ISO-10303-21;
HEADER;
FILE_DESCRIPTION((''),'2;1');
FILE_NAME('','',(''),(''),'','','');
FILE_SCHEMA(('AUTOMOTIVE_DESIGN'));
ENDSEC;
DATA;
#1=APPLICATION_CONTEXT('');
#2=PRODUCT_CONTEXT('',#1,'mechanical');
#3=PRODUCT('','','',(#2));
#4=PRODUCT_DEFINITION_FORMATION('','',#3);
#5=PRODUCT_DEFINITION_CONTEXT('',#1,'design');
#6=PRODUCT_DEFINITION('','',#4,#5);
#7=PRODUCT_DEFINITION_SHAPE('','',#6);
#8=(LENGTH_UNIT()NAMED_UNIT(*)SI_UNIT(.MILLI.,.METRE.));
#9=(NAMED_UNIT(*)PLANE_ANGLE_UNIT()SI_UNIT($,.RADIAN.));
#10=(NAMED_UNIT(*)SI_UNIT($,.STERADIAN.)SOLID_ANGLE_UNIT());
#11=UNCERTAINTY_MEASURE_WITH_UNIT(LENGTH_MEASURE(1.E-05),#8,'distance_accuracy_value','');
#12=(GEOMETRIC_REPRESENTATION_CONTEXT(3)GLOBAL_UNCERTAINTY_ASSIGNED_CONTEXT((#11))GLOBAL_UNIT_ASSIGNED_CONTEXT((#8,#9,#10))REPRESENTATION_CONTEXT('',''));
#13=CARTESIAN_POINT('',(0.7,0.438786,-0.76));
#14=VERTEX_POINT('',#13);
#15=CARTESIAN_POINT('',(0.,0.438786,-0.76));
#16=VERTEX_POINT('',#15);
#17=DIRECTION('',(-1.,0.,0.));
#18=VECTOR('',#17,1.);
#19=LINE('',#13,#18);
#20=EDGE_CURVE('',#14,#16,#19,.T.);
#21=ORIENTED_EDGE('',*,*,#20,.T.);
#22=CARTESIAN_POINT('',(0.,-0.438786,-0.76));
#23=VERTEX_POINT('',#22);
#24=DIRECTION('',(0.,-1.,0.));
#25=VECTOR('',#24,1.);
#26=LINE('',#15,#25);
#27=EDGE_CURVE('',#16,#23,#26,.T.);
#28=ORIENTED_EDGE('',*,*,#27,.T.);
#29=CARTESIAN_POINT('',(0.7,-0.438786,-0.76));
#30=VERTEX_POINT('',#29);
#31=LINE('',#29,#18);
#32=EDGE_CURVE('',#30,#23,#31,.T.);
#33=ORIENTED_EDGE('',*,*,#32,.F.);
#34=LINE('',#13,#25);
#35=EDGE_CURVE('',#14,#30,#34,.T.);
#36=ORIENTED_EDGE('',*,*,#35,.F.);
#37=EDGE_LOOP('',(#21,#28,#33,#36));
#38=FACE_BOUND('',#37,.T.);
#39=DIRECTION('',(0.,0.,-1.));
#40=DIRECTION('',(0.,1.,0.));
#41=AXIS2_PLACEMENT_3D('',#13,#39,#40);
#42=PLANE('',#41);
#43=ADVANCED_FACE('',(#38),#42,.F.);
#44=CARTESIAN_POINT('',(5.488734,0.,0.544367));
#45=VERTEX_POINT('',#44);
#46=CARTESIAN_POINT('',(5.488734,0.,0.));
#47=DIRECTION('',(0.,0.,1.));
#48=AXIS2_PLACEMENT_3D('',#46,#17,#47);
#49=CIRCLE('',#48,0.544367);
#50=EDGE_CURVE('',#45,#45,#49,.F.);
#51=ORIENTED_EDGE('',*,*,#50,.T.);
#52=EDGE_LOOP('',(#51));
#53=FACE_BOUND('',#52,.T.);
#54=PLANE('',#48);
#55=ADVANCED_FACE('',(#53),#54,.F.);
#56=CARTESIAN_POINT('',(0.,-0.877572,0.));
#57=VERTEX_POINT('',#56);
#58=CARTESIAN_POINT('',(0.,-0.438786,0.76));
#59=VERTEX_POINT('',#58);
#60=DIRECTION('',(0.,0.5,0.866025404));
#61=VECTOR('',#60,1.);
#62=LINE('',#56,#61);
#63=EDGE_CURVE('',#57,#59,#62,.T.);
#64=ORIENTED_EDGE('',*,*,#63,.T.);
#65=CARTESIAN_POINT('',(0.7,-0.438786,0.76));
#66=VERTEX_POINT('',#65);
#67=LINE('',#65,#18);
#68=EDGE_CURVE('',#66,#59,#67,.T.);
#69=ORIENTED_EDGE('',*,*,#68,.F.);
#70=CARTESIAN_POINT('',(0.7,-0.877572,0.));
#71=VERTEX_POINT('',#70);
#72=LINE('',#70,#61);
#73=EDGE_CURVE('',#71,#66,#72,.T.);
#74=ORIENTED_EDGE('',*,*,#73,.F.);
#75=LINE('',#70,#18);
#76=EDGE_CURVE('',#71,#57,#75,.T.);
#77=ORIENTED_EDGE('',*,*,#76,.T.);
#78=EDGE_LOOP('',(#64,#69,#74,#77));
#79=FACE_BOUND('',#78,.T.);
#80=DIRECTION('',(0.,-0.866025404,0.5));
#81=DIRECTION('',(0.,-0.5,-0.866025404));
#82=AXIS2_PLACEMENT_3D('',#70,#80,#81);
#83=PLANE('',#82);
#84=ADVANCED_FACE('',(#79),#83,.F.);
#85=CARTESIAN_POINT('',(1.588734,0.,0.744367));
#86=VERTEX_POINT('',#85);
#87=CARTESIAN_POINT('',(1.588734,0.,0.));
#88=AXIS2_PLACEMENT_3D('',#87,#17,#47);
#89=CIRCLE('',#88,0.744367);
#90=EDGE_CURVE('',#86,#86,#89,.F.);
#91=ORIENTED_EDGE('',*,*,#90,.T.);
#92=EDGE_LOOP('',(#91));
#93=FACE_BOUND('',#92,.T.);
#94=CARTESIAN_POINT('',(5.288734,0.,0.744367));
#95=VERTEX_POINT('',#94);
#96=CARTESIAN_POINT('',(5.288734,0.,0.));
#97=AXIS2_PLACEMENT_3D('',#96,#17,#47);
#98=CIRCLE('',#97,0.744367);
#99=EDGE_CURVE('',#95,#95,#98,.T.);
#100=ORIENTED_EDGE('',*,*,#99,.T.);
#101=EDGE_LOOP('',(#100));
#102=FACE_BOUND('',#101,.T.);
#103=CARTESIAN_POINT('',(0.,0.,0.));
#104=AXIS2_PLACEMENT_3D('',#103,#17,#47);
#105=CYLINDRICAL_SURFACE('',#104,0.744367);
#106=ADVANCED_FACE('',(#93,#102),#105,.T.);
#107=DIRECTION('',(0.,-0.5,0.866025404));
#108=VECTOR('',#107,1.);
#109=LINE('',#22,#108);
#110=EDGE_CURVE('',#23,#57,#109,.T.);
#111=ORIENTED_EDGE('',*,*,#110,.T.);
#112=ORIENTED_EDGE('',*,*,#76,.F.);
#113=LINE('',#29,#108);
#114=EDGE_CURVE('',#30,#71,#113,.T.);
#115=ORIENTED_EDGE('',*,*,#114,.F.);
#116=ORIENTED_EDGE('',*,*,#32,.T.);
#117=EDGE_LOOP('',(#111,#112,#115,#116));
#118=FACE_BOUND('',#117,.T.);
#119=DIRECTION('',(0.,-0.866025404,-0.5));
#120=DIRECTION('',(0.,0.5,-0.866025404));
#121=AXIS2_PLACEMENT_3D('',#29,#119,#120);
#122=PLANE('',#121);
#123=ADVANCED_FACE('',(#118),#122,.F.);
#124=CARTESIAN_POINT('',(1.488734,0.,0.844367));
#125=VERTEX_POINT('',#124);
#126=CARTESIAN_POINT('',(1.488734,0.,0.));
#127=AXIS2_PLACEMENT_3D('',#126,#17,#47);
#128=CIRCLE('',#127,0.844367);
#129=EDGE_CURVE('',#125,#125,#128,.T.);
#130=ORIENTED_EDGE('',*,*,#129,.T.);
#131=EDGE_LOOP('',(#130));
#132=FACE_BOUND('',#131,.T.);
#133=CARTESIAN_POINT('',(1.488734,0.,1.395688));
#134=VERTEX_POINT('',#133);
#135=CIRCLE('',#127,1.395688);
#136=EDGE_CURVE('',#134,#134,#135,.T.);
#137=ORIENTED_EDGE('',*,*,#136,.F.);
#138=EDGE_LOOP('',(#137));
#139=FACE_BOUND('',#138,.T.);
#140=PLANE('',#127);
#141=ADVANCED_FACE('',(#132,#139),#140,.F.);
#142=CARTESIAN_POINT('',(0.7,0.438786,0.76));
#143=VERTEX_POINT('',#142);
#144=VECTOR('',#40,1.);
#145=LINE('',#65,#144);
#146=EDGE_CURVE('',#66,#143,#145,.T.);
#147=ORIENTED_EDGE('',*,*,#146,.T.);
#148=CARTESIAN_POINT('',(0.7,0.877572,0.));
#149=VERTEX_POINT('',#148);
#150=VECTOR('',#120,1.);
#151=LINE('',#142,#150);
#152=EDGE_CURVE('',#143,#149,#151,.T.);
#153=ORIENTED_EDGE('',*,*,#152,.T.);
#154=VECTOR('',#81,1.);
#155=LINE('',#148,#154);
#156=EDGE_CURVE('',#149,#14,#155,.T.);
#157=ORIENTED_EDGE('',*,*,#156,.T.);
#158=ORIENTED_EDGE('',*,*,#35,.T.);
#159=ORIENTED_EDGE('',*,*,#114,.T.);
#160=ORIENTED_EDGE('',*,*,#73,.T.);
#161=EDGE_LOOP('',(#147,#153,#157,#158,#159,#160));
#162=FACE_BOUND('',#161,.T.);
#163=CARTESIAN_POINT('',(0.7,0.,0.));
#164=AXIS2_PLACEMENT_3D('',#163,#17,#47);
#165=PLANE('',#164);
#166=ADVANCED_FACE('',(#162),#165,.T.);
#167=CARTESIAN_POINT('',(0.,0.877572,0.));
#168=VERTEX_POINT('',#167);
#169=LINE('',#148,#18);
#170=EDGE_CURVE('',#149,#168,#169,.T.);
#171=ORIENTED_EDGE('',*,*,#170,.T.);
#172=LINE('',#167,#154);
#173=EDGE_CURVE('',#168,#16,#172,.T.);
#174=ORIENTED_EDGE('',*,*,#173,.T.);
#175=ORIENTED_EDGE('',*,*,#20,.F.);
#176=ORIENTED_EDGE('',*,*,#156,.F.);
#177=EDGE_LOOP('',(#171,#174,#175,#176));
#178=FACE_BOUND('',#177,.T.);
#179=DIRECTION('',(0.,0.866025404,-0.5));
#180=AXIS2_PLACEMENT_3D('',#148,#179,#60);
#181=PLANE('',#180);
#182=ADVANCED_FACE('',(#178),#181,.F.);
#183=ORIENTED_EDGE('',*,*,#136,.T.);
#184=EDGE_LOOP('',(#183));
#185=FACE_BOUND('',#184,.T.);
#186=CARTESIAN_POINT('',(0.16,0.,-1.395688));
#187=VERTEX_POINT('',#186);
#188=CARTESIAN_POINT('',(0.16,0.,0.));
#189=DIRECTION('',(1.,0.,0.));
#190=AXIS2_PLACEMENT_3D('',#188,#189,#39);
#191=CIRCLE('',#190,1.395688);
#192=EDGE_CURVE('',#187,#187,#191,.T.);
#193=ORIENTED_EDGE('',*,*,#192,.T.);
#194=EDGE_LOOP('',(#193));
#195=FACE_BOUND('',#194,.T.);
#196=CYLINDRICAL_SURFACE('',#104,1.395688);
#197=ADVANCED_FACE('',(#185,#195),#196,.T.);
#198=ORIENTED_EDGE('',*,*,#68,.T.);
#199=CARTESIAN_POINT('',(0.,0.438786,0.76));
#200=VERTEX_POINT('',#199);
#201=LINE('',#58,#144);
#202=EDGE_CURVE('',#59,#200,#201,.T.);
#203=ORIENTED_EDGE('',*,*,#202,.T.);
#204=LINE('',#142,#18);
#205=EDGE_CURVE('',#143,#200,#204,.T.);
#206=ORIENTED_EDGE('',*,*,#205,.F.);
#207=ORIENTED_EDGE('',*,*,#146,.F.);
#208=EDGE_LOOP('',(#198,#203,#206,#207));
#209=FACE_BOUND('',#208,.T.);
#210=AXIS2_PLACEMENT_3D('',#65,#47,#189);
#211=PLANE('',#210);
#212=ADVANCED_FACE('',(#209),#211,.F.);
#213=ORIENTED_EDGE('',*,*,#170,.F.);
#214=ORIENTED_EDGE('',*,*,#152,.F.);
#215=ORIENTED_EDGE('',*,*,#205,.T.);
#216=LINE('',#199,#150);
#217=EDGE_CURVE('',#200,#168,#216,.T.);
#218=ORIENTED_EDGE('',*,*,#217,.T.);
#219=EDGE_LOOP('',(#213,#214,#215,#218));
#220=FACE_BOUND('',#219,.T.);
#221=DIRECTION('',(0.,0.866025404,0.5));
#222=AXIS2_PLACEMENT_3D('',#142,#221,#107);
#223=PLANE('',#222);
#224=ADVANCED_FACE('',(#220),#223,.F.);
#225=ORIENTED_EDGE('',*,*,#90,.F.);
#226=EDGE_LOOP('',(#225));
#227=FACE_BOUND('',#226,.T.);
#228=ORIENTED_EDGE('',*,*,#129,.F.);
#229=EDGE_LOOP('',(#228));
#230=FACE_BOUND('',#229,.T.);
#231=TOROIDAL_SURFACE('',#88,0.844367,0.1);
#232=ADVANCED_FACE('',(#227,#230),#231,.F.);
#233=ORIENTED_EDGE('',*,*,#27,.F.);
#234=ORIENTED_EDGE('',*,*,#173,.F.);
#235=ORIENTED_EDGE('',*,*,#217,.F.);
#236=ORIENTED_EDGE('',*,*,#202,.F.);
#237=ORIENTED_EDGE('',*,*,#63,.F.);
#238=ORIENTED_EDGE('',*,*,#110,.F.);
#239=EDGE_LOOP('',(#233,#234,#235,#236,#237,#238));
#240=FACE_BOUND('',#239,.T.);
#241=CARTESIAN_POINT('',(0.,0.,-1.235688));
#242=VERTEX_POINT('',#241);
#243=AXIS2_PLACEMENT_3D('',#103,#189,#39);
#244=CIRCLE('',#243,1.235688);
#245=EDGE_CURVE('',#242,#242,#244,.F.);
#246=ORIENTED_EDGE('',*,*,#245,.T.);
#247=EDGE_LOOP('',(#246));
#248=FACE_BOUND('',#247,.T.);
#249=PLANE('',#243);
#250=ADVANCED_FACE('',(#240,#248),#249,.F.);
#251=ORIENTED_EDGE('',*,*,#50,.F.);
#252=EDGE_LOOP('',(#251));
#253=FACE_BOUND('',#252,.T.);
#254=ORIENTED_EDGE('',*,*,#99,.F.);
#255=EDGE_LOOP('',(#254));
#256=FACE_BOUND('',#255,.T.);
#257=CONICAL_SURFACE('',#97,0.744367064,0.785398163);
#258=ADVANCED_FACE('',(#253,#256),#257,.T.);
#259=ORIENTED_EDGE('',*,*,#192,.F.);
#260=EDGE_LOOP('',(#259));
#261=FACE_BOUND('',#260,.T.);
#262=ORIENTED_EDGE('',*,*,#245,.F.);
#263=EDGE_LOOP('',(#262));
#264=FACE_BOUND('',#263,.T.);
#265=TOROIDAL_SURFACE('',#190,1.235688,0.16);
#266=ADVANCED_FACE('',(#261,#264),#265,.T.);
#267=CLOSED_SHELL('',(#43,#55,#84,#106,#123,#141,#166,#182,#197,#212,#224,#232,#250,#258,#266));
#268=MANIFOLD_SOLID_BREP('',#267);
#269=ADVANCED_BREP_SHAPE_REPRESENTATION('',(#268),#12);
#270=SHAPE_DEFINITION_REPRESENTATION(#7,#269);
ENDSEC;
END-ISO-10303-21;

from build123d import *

# Parameters (mm, degrees)
FILLET1_R      = 0.1
FILLET2_R      = 0.16
CHAMFER1_SIZE  = 0.2
EXTRUDE1_DEPTH = 0.7


with BuildPart() as part:
    # Sketch1 → Revolve1 (revolve)
    with BuildSketch(Plane.XY, mode=Mode.PRIVATE) as revolve1_sk:
        Polygon((0, 1.395688245), (0, 0), (5.488734128, 0), (5.488734128, 0.744367064), (1.488734128, 0.744367064), (1.488734128, 1.395688245), align=None)
    revolve(revolve1_sk.sketch.rotate(Axis((0, 0, 0), (1, 0, 0)), 90), axis=Axis((0, 0, 0), (1, 0, 0)))

    # Fillet1
    fillet1_edges = [part.edges().sort_by_distance(p)[0] for p in [
        (1.488734128, 0, -0.744367064),
    ]]
    fillet(fillet1_edges, radius=FILLET1_R)

    # Fillet2
    fillet2_edges = [part.edges().sort_by_distance(p)[0] for p in [
        (0, 0, -1.395688245),
    ]]
    fillet(fillet2_edges, radius=FILLET2_R)

    # Chamfer1
    chamfer1_edges = [part.edges().sort_by_distance(p)[0] for p in [
        (5.488734128, 0, -0.744367064),
    ]]
    chamfer(chamfer1_edges, length=CHAMFER1_SIZE)

    # Sketch2 → Extrude1 (cut)
    with BuildSketch(Plane.ZY):
        Polygon((0, 0.877572409), (-0.76, 0.438786205), (-0.76, -0.438786205), (0, -0.877572409), (0.76, -0.438786205), (0.76, 0.438786205), align=None)
    extrude(amount=-EXTRUDE1_DEPTH, mode=Mode.SUBTRACT)


solid = part.part
